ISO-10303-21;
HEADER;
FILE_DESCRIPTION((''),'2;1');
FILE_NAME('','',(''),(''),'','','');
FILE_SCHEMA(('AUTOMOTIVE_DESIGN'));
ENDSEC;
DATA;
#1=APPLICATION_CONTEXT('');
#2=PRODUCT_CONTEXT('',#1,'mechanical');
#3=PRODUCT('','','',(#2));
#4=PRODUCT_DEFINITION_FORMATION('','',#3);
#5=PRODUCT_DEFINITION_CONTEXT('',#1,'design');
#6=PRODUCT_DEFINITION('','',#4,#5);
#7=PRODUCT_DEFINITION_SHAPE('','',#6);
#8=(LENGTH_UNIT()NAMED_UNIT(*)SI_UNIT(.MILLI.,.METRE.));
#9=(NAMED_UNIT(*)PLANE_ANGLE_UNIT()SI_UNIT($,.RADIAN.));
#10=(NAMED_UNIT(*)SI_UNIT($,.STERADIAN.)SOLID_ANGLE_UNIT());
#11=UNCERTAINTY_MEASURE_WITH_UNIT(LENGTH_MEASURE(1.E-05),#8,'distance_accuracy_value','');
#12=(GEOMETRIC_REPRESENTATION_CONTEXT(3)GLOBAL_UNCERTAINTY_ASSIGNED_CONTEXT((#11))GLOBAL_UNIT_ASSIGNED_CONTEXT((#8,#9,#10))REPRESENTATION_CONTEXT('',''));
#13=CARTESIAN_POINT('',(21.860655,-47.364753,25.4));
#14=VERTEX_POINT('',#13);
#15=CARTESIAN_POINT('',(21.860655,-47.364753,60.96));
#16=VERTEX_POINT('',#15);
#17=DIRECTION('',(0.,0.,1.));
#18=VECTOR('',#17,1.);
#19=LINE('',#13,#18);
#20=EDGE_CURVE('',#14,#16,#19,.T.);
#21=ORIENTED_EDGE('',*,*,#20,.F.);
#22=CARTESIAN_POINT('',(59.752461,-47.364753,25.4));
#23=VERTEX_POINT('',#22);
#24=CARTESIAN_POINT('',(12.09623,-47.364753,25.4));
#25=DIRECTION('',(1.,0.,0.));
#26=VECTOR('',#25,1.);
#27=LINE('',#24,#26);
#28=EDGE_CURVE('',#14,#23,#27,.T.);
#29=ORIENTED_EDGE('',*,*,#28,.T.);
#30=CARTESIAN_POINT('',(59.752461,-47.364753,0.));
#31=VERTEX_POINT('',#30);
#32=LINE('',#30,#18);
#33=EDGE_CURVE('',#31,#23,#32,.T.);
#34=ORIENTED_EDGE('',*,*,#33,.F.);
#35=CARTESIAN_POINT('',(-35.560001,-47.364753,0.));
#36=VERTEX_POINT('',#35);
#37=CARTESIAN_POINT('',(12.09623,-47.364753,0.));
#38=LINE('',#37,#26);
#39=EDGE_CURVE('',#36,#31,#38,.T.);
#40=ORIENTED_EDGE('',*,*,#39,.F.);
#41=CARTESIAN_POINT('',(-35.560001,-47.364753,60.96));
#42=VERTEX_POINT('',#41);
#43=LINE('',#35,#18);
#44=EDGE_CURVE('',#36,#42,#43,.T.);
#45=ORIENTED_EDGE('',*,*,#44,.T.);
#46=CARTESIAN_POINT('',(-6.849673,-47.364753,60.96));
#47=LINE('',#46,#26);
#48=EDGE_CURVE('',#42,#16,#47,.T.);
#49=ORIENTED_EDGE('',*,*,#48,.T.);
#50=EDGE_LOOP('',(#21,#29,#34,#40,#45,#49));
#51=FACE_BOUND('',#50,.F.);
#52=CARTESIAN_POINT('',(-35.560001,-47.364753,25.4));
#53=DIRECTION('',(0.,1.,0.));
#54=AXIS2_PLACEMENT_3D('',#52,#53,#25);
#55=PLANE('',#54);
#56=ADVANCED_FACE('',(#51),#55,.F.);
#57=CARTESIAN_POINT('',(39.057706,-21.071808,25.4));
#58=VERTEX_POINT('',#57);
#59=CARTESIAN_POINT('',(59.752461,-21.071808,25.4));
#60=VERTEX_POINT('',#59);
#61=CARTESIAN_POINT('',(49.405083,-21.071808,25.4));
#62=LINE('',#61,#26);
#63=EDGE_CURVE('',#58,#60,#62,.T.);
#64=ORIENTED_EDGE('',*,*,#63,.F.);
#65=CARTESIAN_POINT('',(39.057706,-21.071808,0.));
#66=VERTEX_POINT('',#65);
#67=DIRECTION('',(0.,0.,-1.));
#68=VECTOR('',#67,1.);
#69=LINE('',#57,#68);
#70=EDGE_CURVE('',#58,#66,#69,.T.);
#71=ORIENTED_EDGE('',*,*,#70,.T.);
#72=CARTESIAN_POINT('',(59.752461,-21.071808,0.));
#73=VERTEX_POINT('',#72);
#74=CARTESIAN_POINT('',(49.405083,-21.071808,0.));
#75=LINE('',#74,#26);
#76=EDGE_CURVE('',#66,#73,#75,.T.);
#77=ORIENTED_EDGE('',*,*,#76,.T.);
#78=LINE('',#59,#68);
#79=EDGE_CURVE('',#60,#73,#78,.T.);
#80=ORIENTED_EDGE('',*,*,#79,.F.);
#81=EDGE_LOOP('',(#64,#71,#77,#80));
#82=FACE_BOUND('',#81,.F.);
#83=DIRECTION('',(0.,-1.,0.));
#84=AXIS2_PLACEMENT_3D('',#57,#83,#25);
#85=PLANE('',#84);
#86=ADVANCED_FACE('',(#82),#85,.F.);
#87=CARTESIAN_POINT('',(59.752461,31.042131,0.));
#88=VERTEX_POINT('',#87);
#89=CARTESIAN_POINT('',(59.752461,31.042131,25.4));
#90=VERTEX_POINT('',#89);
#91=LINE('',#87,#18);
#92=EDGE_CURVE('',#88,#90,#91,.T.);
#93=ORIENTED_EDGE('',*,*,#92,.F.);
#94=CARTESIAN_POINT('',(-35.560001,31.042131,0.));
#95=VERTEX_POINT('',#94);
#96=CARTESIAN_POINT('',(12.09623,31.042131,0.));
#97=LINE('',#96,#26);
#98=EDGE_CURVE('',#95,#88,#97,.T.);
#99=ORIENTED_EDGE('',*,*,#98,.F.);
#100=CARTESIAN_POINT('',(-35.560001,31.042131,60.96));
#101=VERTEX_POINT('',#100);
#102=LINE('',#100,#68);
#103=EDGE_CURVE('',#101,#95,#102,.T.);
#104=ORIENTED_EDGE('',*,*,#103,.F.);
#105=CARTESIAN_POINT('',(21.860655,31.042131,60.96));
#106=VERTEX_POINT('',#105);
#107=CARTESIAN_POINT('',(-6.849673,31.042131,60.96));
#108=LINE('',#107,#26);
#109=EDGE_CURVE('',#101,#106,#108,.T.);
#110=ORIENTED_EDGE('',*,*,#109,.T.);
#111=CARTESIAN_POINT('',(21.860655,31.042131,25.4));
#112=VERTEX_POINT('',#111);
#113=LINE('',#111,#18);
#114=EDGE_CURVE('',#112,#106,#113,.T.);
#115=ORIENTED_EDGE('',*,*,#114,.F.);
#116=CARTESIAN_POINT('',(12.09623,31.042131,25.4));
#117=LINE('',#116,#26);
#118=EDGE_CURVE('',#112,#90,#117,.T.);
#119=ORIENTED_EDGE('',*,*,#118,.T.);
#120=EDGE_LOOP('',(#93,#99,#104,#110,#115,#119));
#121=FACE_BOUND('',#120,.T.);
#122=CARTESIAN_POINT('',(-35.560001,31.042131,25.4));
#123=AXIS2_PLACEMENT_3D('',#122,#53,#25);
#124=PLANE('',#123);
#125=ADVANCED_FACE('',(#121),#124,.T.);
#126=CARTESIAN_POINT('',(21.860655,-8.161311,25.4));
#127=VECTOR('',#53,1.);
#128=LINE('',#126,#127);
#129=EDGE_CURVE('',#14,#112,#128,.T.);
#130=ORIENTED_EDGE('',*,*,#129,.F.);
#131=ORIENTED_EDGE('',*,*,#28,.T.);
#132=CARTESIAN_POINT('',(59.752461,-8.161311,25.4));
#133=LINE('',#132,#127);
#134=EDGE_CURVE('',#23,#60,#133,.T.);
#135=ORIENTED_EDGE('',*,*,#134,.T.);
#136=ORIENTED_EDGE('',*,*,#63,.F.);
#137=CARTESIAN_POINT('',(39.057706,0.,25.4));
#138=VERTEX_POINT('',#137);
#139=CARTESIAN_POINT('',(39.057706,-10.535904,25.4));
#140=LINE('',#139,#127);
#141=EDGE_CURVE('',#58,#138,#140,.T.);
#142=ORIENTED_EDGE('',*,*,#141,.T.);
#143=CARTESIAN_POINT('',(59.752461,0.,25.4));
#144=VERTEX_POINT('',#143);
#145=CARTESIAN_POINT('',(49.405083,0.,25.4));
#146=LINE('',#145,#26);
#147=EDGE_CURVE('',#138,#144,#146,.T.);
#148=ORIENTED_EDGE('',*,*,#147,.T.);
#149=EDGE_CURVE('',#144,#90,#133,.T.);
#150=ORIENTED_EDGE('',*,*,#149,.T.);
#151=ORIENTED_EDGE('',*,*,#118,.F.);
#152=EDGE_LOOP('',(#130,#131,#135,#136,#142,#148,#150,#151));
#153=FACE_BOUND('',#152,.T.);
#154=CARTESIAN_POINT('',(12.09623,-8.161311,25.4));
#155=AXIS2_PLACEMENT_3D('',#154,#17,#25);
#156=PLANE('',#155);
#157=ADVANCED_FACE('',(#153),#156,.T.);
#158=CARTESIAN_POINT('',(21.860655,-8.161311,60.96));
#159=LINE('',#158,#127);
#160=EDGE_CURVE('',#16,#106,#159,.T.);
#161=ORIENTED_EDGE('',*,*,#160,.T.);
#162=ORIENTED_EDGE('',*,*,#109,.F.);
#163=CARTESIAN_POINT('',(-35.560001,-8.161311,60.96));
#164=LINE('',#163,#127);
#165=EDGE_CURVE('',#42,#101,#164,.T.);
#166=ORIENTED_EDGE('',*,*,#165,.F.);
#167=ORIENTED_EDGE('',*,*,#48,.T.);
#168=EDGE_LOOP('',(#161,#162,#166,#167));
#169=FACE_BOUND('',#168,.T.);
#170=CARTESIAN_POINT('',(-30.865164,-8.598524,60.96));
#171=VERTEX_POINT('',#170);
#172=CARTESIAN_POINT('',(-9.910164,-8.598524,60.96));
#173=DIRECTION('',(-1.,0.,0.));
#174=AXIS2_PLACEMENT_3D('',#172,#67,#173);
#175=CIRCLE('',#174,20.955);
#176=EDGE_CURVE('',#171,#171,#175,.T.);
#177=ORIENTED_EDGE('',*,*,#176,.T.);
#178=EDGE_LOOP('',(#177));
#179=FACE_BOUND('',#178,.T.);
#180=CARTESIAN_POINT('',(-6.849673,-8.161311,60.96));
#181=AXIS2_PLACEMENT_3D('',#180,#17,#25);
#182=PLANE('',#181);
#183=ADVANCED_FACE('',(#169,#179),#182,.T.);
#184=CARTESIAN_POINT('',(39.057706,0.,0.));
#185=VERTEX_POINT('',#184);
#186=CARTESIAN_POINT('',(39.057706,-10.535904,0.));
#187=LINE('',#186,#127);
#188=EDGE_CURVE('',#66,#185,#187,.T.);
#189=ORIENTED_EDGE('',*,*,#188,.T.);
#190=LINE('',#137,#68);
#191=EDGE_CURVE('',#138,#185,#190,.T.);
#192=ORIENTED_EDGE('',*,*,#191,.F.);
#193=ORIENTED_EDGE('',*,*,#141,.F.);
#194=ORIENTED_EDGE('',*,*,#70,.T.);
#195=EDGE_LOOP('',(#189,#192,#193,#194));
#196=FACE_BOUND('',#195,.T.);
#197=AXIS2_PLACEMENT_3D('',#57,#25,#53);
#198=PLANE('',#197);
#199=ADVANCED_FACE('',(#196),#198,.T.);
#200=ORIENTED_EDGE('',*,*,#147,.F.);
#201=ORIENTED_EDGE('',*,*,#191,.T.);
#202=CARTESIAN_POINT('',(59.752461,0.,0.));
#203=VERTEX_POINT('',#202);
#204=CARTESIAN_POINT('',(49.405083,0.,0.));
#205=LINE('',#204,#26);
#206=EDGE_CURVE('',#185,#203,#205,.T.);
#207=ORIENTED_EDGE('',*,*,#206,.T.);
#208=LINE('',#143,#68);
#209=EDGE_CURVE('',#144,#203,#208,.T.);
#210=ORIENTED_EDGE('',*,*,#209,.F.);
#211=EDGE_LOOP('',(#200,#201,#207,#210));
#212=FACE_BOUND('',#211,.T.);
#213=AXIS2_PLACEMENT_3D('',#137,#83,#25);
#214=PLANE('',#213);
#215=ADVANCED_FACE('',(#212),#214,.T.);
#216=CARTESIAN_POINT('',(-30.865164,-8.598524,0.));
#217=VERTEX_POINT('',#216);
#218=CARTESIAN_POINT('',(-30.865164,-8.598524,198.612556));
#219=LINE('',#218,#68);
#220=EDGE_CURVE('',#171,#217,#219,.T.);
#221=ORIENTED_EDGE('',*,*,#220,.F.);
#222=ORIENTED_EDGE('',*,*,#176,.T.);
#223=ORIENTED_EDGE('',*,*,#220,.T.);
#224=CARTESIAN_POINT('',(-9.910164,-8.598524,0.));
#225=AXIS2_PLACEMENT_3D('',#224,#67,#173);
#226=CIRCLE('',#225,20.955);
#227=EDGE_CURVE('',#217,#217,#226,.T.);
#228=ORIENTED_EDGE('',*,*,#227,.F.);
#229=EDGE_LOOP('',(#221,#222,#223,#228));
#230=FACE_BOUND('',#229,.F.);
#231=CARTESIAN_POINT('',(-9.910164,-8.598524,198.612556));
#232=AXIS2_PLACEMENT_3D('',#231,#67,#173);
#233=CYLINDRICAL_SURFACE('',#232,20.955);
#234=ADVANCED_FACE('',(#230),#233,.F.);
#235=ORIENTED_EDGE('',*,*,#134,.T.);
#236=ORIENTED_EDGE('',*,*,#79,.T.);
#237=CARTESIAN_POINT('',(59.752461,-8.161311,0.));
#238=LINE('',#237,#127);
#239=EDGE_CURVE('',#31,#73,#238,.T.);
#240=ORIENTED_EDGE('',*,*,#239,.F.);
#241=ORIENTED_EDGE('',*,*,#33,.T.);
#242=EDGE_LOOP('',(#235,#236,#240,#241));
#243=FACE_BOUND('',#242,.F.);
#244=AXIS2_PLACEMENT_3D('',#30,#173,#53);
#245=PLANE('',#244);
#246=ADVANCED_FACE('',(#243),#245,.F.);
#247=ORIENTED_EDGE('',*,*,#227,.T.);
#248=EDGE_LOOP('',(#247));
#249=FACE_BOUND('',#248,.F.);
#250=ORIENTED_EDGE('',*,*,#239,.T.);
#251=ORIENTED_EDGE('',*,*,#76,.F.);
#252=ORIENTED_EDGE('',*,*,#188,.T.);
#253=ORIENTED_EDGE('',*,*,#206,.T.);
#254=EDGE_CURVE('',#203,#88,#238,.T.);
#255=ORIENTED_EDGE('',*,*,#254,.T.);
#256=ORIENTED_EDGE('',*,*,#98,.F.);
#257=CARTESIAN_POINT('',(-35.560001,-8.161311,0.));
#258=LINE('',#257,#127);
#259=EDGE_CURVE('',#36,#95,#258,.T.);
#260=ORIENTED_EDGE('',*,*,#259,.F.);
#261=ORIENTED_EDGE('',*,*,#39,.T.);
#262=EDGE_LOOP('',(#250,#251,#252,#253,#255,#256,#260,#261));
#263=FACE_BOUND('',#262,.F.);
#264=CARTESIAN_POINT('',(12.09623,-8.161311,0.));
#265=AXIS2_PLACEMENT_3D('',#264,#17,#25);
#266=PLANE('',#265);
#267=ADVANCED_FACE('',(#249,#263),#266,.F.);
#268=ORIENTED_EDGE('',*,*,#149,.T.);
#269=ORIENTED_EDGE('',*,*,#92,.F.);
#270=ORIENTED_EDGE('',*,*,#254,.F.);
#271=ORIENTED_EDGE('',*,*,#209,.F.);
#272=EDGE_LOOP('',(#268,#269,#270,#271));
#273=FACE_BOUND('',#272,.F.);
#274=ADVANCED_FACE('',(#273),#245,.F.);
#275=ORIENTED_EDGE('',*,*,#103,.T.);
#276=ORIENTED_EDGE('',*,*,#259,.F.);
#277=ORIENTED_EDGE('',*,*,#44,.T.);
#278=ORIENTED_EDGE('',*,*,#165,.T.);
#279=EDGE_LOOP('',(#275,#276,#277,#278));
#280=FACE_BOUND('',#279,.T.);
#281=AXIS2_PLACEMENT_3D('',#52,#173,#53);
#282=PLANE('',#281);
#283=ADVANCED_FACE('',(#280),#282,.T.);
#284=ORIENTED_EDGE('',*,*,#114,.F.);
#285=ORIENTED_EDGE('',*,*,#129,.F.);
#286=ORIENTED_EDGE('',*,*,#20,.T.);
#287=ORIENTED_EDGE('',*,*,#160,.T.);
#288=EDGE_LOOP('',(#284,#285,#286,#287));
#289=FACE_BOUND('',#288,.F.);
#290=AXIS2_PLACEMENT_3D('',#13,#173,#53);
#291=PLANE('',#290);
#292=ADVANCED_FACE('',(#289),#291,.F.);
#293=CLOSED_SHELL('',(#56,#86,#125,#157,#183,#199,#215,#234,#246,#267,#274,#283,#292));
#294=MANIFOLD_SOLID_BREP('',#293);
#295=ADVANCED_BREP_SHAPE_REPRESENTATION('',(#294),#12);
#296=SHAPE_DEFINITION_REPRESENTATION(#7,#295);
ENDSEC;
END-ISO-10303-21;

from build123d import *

# Parameters (mm, degrees)
F0_W     = 95.312461257
F0_H     = 78.4068834037
F1_DEPTH = 25.4
F2_W     = 20.6947550178
F2_H     = 21.0718084127
F3_DEPTH = 25.4
F4_W     = 57.420656085
F4_H     = 78.4068834037
F5_DEPTH = 35.56
F8_D     = 41.91


with BuildPart() as f1:
    # F0 (on Top) → F1 (new body)
    with BuildSketch(Plane.XY):
        with Locations((12.0962299407, -8.1613110378)):
            Rectangle(F0_W, F0_H)
    extrude(amount=F1_DEPTH)

    # F2 (on face) → F3 (cut)
    with BuildSketch(Plane.XY.offset(25.4)):
        with Locations((49.4050830603, -10.5359042063)):
            Rectangle(F2_W, F2_H)
    extrude(amount=-F3_DEPTH, mode=Mode.SUBTRACT)

    # F4 (on face) → F5 (join)
    with BuildSketch(Plane.XY.offset(25.4)):
        with Locations((-6.8496726453, -8.1613110378)):
            Rectangle(F4_W, F4_H)
    extrude(amount=F5_DEPTH)

    # F8 (through all)
    with Locations(Plane.XY.offset(60.96)):
        with Locations((-9.9101644009, -8.5985241458)):
            Hole(F8_D / 2)


solid = f1.part
